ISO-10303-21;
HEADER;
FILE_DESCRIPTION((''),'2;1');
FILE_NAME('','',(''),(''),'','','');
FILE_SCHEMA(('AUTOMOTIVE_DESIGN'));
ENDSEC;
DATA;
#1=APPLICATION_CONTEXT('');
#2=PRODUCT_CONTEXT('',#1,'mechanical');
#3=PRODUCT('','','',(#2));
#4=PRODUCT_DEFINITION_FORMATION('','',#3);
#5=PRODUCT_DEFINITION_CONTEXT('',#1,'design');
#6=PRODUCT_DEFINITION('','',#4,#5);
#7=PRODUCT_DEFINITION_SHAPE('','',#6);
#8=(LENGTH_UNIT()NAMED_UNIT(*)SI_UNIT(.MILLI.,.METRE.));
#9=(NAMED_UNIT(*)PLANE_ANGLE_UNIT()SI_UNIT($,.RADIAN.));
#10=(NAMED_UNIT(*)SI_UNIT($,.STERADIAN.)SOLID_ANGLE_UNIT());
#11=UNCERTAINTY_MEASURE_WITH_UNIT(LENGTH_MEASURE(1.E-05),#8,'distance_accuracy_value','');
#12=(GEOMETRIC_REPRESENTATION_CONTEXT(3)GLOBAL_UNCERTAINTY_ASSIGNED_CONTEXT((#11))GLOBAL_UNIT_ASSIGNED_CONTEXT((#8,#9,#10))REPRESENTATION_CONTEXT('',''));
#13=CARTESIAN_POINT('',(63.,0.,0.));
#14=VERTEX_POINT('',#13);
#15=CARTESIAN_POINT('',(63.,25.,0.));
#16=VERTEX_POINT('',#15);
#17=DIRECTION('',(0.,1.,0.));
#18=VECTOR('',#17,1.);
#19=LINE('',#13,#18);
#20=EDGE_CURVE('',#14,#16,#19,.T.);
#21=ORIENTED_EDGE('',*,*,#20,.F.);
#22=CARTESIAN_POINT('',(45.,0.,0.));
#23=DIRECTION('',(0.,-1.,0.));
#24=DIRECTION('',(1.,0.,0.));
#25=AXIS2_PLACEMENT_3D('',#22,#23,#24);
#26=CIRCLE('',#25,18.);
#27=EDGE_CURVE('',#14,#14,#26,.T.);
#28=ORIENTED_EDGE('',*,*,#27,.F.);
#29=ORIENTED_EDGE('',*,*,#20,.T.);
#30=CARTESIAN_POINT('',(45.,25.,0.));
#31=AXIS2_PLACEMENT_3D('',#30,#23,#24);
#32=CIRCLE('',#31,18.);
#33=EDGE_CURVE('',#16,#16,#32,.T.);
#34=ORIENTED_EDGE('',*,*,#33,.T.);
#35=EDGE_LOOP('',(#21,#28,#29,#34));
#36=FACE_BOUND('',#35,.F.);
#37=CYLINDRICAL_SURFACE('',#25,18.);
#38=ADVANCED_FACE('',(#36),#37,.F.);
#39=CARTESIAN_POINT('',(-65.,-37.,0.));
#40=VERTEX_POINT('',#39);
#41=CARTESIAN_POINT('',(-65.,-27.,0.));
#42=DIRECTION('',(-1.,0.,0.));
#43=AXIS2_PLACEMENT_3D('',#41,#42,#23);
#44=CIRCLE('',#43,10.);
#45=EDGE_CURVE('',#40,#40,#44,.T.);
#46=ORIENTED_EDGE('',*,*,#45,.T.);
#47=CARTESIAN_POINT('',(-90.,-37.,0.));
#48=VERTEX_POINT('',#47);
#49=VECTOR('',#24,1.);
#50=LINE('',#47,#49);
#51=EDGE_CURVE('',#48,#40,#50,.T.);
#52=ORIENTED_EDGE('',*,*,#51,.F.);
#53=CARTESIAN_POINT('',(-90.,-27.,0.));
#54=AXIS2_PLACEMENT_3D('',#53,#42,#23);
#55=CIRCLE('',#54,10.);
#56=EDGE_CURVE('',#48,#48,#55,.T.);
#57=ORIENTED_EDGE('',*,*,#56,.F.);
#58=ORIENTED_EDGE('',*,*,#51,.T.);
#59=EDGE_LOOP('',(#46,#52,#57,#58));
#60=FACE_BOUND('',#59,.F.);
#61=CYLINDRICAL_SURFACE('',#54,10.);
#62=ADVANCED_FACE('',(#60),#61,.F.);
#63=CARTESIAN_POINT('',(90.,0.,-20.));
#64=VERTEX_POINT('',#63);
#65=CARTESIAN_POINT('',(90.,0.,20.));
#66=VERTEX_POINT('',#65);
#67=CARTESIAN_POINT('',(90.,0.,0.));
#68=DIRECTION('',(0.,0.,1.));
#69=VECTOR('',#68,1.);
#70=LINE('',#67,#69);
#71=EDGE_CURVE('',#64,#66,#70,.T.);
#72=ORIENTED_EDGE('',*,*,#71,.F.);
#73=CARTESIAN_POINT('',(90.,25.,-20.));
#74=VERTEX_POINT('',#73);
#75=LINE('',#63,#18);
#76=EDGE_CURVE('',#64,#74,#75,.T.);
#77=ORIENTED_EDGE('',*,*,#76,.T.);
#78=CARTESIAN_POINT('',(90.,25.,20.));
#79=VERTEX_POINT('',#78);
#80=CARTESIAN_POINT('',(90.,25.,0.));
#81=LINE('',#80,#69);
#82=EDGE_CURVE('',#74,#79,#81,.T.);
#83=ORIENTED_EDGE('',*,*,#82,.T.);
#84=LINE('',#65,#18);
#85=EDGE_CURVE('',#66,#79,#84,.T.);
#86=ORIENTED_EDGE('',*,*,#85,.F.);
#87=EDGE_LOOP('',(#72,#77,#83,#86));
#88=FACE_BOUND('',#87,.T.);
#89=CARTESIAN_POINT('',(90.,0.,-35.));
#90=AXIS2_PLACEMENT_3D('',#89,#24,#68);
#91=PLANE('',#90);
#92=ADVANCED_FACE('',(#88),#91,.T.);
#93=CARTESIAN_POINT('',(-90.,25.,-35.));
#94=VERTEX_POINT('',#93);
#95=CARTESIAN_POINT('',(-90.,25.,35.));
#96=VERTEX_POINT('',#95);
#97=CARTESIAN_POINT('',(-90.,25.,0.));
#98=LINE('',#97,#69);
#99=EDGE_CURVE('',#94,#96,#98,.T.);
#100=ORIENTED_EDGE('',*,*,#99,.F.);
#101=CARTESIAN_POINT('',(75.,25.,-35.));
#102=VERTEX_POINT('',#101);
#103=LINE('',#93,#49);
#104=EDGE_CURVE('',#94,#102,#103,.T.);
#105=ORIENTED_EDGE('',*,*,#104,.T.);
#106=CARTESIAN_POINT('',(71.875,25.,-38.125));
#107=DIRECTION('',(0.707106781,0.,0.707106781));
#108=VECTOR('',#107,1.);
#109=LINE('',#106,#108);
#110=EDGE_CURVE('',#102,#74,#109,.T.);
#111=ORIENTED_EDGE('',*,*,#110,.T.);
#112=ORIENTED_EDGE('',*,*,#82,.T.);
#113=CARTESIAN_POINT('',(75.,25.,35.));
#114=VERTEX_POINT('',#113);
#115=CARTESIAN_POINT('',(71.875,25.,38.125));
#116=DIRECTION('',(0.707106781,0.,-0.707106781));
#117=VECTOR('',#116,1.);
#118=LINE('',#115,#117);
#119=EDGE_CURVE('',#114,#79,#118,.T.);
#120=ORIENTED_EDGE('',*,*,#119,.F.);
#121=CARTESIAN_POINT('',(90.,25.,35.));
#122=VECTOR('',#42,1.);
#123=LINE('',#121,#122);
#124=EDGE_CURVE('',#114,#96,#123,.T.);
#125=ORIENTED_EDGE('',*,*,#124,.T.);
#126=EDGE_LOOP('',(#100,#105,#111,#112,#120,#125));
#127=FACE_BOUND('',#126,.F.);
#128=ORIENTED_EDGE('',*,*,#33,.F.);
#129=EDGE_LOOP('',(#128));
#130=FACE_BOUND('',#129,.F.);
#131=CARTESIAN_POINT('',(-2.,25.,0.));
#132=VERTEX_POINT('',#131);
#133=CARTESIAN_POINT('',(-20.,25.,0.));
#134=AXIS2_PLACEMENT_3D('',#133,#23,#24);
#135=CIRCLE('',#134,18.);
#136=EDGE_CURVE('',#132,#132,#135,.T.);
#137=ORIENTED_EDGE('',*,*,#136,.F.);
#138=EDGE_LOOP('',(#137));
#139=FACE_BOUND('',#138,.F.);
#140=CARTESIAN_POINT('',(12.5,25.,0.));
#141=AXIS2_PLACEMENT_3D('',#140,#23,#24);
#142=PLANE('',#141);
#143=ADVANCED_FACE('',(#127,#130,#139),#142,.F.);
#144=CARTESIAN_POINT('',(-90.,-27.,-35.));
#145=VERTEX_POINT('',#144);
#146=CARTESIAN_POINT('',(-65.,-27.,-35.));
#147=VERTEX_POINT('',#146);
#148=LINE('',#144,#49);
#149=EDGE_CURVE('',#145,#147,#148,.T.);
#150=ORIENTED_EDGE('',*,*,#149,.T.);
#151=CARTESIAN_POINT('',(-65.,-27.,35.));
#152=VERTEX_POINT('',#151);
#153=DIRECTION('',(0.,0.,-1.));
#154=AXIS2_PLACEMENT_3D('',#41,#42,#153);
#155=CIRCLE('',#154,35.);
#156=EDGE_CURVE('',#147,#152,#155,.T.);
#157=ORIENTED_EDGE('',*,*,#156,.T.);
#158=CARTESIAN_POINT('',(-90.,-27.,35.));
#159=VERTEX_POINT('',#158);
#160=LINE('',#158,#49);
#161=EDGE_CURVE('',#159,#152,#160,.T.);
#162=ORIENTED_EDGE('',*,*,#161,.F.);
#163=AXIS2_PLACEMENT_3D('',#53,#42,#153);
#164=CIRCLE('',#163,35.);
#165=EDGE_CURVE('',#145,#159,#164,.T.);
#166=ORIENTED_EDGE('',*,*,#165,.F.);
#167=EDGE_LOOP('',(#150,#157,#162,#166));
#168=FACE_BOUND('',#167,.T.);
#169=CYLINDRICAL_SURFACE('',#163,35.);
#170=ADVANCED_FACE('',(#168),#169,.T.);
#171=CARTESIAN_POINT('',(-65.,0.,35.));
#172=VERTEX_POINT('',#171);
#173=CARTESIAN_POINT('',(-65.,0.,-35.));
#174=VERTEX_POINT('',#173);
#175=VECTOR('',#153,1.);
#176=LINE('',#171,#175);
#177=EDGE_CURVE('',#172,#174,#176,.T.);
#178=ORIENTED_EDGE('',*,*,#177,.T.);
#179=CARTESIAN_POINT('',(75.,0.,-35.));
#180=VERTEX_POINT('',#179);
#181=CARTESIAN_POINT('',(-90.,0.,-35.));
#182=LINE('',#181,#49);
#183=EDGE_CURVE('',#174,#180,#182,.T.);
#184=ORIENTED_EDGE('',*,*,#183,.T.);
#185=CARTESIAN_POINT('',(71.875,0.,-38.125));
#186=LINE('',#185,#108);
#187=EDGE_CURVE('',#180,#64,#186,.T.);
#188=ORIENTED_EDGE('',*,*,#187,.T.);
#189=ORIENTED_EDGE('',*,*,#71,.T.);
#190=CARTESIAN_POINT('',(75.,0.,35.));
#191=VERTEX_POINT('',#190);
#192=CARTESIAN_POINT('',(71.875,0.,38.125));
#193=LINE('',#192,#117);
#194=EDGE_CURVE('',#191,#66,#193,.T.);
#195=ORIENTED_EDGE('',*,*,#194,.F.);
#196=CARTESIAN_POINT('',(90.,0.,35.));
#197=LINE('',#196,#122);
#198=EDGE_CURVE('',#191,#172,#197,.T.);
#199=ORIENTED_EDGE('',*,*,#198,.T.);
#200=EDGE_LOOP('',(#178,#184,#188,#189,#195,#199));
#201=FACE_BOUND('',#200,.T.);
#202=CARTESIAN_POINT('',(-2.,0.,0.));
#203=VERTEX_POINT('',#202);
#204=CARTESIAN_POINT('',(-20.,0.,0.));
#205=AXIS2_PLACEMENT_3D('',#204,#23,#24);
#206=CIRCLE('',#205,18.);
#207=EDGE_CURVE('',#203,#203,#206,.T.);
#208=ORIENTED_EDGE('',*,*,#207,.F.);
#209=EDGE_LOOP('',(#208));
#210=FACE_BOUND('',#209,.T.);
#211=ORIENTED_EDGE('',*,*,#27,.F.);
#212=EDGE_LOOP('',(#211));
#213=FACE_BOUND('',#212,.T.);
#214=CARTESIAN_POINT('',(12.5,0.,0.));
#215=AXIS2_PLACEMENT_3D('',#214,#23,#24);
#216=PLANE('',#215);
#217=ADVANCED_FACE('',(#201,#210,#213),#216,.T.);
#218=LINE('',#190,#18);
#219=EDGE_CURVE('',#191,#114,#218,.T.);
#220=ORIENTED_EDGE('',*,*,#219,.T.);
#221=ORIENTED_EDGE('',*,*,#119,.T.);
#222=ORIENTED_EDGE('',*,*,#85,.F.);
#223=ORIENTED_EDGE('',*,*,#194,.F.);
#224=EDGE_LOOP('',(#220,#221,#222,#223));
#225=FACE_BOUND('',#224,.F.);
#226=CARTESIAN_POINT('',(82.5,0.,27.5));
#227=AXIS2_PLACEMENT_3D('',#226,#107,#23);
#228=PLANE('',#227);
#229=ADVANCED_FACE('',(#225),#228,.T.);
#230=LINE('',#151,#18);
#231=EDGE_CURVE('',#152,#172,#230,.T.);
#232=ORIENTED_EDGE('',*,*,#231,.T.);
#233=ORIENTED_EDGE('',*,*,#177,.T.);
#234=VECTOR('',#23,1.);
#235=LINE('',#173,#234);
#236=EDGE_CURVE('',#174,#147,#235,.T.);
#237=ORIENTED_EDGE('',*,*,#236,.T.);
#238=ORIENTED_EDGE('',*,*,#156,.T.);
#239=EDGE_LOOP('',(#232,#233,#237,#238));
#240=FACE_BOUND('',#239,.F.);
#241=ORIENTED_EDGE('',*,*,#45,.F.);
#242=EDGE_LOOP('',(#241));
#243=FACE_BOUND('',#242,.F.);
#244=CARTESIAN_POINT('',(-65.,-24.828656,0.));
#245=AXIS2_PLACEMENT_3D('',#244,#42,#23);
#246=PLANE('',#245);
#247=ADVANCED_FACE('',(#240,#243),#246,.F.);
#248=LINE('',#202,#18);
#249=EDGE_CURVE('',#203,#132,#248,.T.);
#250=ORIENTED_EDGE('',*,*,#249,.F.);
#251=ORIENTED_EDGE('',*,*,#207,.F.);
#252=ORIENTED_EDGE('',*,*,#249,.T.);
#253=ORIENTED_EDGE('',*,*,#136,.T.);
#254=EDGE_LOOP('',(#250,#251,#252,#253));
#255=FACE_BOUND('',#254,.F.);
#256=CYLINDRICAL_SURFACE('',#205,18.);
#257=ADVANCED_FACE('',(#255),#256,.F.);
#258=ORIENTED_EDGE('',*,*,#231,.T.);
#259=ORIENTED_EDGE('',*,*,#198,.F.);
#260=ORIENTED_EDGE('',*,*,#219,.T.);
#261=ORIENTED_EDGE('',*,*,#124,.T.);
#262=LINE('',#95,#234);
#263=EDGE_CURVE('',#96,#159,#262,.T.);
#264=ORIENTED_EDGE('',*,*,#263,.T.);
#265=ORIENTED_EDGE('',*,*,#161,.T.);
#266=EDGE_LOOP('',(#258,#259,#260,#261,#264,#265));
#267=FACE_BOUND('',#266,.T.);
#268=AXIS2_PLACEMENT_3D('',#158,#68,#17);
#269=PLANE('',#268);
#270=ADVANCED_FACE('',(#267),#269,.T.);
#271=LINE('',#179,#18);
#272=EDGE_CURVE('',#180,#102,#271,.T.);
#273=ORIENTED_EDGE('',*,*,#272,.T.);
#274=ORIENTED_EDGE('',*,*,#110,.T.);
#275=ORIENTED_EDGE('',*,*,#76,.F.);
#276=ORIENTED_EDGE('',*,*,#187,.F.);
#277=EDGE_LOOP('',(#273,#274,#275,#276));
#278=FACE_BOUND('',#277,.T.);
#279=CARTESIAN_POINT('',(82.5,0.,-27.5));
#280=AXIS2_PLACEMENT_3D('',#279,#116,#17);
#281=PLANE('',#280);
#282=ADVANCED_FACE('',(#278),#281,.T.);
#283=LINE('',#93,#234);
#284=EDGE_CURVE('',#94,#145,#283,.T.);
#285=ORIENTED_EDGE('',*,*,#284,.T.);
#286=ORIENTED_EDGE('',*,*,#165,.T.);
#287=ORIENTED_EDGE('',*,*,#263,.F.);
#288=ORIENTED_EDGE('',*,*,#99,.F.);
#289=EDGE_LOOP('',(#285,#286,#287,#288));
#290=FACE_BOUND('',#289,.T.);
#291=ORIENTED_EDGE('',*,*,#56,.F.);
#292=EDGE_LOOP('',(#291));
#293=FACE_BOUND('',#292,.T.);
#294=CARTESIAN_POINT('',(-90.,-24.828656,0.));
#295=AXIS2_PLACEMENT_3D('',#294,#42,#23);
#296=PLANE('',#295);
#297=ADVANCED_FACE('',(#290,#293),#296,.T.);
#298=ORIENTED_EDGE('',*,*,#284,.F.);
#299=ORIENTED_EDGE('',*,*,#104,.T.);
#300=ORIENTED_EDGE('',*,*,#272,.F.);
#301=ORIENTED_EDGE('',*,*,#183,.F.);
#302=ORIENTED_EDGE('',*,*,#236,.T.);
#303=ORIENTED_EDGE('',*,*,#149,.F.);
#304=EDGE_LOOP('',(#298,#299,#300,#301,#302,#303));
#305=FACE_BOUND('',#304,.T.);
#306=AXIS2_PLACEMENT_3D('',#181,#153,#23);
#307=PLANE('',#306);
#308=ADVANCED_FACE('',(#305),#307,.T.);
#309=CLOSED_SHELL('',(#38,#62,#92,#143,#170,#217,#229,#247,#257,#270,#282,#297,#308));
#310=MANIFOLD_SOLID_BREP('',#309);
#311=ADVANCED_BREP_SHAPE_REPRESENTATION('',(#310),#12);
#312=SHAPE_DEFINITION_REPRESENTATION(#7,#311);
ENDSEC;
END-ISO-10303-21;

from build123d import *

# Parameters (mm, degrees)
F0_W     = 155
F0_H     = 70
F0_R     = 18
F0_W_2   = 25
F1_DEPTH = 25
F2_R     = 10
F3_DEPTH = 25
F4_SIZE  = 15


with BuildPart() as f1:
    # F0 (on Front) → F1 (new body)
    with BuildSketch(Plane.XZ):
        with Locations((12.5, 0)):
            Rectangle(F0_W, F0_H)
        with Locations((-20, 0)):
            Circle(F0_R, mode=Mode.SUBTRACT)
        with Locations((45, 0)):
            Circle(F0_R, mode=Mode.SUBTRACT)
        with Locations((-77.5, 0)):
            Rectangle(F0_W_2, F0_H)
    extrude(amount=-F1_DEPTH)

    # F2 (on face) → F3 (join)
    with BuildSketch(Plane(origin=(-90, 0, 0), x_dir=(0, -1, 0), z_dir=(-1, 0, 0))):
        with BuildLine():
            Line((27, 35), (0, 35))
            Line((0, 35), (0, -35))
            Line((0, -35), (27, -35))
            ThreePointArc((27, -35), (62, 0), (27, 35))
        make_face()
        with Locations((27, 0)):
            Circle(F2_R, mode=Mode.SUBTRACT)
    extrude(amount=-F3_DEPTH)

    # F4
    f4_edges = [f1.edges().sort_by_distance(p)[0] for p in [
        (90, 12.5, 35),
        (90, 12.5, -35),
    ]]
    chamfer(f4_edges, length=F4_SIZE)


solid = f1.part
